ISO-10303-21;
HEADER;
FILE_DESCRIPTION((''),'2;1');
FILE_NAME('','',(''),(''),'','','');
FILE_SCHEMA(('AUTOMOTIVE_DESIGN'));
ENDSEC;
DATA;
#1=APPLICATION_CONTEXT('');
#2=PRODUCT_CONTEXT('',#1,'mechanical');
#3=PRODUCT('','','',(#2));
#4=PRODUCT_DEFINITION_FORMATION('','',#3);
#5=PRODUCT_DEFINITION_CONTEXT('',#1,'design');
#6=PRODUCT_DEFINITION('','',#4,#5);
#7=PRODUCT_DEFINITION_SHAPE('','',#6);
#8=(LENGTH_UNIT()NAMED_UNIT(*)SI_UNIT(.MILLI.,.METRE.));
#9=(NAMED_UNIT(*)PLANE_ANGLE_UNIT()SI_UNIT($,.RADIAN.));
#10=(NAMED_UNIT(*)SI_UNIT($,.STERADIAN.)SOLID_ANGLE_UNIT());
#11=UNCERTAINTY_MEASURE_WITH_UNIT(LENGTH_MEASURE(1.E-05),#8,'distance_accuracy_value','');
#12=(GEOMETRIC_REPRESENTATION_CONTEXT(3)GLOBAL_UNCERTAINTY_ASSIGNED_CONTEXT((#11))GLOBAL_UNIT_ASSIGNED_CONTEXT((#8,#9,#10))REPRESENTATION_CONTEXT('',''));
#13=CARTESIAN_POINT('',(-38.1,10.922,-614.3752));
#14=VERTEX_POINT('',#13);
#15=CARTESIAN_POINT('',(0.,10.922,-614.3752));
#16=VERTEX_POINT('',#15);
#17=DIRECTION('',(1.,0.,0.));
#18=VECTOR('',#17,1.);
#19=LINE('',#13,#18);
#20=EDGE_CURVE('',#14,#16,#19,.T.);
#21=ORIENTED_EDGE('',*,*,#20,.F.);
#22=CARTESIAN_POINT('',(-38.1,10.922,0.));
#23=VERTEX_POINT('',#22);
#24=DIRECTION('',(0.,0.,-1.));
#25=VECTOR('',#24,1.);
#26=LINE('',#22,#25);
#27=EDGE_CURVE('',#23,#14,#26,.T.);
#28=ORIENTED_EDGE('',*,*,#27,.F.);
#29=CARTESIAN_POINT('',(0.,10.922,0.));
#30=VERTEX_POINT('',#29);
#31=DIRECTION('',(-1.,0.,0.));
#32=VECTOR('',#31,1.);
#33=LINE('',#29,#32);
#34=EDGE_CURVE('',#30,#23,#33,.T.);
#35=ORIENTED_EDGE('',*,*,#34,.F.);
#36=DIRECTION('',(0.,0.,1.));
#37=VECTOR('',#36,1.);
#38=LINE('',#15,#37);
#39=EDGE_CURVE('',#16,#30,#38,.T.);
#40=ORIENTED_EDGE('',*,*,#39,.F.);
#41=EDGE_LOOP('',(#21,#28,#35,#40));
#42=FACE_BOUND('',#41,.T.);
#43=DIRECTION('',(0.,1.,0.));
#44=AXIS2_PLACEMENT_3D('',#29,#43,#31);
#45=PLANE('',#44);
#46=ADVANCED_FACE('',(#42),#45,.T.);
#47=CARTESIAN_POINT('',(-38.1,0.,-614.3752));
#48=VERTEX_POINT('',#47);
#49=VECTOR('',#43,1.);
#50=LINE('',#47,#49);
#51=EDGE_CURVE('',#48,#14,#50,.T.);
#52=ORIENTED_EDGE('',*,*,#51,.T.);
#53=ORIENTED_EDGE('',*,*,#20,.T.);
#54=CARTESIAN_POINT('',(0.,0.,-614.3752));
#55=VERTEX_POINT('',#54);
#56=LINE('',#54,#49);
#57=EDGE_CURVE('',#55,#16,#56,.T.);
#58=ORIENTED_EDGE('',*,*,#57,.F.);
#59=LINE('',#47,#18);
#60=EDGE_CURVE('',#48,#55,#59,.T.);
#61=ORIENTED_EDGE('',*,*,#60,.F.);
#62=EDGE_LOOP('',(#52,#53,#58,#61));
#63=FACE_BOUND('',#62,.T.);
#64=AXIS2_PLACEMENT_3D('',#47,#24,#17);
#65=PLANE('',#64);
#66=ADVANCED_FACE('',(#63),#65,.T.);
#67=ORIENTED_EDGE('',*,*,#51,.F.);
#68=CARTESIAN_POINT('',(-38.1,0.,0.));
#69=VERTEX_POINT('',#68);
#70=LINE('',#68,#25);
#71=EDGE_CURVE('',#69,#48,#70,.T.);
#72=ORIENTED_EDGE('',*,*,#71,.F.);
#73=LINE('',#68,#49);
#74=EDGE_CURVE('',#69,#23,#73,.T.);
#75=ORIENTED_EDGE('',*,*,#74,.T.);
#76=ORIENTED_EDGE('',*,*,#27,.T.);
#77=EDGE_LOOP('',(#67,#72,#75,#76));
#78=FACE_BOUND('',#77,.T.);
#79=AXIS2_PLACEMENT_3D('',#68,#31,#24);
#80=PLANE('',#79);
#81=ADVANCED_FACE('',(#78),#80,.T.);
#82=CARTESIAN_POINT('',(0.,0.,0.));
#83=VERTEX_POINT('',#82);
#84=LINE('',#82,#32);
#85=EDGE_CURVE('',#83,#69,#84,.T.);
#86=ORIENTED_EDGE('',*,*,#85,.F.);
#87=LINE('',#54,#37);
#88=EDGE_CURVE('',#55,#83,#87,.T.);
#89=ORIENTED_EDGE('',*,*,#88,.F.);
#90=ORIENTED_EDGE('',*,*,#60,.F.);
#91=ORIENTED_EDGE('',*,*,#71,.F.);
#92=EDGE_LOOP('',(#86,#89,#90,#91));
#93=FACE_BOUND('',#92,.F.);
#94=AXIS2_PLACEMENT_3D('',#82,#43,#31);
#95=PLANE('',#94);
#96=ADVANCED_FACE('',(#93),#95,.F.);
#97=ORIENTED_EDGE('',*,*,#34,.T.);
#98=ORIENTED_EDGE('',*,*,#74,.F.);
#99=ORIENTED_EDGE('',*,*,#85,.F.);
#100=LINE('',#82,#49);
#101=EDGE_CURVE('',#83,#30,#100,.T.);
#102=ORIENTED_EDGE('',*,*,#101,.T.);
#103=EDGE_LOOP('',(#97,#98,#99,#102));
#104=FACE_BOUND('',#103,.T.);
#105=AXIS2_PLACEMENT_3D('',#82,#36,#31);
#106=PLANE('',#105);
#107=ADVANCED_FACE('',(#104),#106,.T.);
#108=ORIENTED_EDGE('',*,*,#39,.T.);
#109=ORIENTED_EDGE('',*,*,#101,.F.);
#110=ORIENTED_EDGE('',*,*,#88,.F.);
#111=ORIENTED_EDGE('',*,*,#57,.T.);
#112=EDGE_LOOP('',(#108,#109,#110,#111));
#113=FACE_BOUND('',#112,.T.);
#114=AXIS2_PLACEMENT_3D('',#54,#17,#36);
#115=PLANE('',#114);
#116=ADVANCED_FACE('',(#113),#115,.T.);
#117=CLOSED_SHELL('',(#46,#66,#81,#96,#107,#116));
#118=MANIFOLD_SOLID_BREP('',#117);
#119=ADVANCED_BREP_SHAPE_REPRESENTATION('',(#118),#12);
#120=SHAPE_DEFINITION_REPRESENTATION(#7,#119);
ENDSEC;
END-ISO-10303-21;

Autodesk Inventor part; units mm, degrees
ref_plane "YZ Plane" through (0, 0, 0) normal (1, 0, 0) x (0, 1, 0)
ref_plane "XZ Plane" through (0, 0, 0) normal (0, 1, 0) x (-1, 0, 0)
ref_plane "XY Plane" through (0, 0, 0) normal (0, 0, 1) x (1, 0, 0)
sketch "Sketch1" plane through (0, 0, 0) normal (0, 1, 0) x (-1, 0, 0)
  line L0 (0, 0) -> (38.1, 0)
  line L1 (38.1, 0) -> (38.1, -614.3752)
  line L2 (38.1, -614.3752) -> (0, -614.3752)
  line L3 (0, -614.3752) -> (0, 0)
  dimension "d0" = 38.1
  dimension "d1" = 614.3752
extrude "Extrusion1" add sketch "Sketch1" along normal blind 10.922
properties part number "side box"
